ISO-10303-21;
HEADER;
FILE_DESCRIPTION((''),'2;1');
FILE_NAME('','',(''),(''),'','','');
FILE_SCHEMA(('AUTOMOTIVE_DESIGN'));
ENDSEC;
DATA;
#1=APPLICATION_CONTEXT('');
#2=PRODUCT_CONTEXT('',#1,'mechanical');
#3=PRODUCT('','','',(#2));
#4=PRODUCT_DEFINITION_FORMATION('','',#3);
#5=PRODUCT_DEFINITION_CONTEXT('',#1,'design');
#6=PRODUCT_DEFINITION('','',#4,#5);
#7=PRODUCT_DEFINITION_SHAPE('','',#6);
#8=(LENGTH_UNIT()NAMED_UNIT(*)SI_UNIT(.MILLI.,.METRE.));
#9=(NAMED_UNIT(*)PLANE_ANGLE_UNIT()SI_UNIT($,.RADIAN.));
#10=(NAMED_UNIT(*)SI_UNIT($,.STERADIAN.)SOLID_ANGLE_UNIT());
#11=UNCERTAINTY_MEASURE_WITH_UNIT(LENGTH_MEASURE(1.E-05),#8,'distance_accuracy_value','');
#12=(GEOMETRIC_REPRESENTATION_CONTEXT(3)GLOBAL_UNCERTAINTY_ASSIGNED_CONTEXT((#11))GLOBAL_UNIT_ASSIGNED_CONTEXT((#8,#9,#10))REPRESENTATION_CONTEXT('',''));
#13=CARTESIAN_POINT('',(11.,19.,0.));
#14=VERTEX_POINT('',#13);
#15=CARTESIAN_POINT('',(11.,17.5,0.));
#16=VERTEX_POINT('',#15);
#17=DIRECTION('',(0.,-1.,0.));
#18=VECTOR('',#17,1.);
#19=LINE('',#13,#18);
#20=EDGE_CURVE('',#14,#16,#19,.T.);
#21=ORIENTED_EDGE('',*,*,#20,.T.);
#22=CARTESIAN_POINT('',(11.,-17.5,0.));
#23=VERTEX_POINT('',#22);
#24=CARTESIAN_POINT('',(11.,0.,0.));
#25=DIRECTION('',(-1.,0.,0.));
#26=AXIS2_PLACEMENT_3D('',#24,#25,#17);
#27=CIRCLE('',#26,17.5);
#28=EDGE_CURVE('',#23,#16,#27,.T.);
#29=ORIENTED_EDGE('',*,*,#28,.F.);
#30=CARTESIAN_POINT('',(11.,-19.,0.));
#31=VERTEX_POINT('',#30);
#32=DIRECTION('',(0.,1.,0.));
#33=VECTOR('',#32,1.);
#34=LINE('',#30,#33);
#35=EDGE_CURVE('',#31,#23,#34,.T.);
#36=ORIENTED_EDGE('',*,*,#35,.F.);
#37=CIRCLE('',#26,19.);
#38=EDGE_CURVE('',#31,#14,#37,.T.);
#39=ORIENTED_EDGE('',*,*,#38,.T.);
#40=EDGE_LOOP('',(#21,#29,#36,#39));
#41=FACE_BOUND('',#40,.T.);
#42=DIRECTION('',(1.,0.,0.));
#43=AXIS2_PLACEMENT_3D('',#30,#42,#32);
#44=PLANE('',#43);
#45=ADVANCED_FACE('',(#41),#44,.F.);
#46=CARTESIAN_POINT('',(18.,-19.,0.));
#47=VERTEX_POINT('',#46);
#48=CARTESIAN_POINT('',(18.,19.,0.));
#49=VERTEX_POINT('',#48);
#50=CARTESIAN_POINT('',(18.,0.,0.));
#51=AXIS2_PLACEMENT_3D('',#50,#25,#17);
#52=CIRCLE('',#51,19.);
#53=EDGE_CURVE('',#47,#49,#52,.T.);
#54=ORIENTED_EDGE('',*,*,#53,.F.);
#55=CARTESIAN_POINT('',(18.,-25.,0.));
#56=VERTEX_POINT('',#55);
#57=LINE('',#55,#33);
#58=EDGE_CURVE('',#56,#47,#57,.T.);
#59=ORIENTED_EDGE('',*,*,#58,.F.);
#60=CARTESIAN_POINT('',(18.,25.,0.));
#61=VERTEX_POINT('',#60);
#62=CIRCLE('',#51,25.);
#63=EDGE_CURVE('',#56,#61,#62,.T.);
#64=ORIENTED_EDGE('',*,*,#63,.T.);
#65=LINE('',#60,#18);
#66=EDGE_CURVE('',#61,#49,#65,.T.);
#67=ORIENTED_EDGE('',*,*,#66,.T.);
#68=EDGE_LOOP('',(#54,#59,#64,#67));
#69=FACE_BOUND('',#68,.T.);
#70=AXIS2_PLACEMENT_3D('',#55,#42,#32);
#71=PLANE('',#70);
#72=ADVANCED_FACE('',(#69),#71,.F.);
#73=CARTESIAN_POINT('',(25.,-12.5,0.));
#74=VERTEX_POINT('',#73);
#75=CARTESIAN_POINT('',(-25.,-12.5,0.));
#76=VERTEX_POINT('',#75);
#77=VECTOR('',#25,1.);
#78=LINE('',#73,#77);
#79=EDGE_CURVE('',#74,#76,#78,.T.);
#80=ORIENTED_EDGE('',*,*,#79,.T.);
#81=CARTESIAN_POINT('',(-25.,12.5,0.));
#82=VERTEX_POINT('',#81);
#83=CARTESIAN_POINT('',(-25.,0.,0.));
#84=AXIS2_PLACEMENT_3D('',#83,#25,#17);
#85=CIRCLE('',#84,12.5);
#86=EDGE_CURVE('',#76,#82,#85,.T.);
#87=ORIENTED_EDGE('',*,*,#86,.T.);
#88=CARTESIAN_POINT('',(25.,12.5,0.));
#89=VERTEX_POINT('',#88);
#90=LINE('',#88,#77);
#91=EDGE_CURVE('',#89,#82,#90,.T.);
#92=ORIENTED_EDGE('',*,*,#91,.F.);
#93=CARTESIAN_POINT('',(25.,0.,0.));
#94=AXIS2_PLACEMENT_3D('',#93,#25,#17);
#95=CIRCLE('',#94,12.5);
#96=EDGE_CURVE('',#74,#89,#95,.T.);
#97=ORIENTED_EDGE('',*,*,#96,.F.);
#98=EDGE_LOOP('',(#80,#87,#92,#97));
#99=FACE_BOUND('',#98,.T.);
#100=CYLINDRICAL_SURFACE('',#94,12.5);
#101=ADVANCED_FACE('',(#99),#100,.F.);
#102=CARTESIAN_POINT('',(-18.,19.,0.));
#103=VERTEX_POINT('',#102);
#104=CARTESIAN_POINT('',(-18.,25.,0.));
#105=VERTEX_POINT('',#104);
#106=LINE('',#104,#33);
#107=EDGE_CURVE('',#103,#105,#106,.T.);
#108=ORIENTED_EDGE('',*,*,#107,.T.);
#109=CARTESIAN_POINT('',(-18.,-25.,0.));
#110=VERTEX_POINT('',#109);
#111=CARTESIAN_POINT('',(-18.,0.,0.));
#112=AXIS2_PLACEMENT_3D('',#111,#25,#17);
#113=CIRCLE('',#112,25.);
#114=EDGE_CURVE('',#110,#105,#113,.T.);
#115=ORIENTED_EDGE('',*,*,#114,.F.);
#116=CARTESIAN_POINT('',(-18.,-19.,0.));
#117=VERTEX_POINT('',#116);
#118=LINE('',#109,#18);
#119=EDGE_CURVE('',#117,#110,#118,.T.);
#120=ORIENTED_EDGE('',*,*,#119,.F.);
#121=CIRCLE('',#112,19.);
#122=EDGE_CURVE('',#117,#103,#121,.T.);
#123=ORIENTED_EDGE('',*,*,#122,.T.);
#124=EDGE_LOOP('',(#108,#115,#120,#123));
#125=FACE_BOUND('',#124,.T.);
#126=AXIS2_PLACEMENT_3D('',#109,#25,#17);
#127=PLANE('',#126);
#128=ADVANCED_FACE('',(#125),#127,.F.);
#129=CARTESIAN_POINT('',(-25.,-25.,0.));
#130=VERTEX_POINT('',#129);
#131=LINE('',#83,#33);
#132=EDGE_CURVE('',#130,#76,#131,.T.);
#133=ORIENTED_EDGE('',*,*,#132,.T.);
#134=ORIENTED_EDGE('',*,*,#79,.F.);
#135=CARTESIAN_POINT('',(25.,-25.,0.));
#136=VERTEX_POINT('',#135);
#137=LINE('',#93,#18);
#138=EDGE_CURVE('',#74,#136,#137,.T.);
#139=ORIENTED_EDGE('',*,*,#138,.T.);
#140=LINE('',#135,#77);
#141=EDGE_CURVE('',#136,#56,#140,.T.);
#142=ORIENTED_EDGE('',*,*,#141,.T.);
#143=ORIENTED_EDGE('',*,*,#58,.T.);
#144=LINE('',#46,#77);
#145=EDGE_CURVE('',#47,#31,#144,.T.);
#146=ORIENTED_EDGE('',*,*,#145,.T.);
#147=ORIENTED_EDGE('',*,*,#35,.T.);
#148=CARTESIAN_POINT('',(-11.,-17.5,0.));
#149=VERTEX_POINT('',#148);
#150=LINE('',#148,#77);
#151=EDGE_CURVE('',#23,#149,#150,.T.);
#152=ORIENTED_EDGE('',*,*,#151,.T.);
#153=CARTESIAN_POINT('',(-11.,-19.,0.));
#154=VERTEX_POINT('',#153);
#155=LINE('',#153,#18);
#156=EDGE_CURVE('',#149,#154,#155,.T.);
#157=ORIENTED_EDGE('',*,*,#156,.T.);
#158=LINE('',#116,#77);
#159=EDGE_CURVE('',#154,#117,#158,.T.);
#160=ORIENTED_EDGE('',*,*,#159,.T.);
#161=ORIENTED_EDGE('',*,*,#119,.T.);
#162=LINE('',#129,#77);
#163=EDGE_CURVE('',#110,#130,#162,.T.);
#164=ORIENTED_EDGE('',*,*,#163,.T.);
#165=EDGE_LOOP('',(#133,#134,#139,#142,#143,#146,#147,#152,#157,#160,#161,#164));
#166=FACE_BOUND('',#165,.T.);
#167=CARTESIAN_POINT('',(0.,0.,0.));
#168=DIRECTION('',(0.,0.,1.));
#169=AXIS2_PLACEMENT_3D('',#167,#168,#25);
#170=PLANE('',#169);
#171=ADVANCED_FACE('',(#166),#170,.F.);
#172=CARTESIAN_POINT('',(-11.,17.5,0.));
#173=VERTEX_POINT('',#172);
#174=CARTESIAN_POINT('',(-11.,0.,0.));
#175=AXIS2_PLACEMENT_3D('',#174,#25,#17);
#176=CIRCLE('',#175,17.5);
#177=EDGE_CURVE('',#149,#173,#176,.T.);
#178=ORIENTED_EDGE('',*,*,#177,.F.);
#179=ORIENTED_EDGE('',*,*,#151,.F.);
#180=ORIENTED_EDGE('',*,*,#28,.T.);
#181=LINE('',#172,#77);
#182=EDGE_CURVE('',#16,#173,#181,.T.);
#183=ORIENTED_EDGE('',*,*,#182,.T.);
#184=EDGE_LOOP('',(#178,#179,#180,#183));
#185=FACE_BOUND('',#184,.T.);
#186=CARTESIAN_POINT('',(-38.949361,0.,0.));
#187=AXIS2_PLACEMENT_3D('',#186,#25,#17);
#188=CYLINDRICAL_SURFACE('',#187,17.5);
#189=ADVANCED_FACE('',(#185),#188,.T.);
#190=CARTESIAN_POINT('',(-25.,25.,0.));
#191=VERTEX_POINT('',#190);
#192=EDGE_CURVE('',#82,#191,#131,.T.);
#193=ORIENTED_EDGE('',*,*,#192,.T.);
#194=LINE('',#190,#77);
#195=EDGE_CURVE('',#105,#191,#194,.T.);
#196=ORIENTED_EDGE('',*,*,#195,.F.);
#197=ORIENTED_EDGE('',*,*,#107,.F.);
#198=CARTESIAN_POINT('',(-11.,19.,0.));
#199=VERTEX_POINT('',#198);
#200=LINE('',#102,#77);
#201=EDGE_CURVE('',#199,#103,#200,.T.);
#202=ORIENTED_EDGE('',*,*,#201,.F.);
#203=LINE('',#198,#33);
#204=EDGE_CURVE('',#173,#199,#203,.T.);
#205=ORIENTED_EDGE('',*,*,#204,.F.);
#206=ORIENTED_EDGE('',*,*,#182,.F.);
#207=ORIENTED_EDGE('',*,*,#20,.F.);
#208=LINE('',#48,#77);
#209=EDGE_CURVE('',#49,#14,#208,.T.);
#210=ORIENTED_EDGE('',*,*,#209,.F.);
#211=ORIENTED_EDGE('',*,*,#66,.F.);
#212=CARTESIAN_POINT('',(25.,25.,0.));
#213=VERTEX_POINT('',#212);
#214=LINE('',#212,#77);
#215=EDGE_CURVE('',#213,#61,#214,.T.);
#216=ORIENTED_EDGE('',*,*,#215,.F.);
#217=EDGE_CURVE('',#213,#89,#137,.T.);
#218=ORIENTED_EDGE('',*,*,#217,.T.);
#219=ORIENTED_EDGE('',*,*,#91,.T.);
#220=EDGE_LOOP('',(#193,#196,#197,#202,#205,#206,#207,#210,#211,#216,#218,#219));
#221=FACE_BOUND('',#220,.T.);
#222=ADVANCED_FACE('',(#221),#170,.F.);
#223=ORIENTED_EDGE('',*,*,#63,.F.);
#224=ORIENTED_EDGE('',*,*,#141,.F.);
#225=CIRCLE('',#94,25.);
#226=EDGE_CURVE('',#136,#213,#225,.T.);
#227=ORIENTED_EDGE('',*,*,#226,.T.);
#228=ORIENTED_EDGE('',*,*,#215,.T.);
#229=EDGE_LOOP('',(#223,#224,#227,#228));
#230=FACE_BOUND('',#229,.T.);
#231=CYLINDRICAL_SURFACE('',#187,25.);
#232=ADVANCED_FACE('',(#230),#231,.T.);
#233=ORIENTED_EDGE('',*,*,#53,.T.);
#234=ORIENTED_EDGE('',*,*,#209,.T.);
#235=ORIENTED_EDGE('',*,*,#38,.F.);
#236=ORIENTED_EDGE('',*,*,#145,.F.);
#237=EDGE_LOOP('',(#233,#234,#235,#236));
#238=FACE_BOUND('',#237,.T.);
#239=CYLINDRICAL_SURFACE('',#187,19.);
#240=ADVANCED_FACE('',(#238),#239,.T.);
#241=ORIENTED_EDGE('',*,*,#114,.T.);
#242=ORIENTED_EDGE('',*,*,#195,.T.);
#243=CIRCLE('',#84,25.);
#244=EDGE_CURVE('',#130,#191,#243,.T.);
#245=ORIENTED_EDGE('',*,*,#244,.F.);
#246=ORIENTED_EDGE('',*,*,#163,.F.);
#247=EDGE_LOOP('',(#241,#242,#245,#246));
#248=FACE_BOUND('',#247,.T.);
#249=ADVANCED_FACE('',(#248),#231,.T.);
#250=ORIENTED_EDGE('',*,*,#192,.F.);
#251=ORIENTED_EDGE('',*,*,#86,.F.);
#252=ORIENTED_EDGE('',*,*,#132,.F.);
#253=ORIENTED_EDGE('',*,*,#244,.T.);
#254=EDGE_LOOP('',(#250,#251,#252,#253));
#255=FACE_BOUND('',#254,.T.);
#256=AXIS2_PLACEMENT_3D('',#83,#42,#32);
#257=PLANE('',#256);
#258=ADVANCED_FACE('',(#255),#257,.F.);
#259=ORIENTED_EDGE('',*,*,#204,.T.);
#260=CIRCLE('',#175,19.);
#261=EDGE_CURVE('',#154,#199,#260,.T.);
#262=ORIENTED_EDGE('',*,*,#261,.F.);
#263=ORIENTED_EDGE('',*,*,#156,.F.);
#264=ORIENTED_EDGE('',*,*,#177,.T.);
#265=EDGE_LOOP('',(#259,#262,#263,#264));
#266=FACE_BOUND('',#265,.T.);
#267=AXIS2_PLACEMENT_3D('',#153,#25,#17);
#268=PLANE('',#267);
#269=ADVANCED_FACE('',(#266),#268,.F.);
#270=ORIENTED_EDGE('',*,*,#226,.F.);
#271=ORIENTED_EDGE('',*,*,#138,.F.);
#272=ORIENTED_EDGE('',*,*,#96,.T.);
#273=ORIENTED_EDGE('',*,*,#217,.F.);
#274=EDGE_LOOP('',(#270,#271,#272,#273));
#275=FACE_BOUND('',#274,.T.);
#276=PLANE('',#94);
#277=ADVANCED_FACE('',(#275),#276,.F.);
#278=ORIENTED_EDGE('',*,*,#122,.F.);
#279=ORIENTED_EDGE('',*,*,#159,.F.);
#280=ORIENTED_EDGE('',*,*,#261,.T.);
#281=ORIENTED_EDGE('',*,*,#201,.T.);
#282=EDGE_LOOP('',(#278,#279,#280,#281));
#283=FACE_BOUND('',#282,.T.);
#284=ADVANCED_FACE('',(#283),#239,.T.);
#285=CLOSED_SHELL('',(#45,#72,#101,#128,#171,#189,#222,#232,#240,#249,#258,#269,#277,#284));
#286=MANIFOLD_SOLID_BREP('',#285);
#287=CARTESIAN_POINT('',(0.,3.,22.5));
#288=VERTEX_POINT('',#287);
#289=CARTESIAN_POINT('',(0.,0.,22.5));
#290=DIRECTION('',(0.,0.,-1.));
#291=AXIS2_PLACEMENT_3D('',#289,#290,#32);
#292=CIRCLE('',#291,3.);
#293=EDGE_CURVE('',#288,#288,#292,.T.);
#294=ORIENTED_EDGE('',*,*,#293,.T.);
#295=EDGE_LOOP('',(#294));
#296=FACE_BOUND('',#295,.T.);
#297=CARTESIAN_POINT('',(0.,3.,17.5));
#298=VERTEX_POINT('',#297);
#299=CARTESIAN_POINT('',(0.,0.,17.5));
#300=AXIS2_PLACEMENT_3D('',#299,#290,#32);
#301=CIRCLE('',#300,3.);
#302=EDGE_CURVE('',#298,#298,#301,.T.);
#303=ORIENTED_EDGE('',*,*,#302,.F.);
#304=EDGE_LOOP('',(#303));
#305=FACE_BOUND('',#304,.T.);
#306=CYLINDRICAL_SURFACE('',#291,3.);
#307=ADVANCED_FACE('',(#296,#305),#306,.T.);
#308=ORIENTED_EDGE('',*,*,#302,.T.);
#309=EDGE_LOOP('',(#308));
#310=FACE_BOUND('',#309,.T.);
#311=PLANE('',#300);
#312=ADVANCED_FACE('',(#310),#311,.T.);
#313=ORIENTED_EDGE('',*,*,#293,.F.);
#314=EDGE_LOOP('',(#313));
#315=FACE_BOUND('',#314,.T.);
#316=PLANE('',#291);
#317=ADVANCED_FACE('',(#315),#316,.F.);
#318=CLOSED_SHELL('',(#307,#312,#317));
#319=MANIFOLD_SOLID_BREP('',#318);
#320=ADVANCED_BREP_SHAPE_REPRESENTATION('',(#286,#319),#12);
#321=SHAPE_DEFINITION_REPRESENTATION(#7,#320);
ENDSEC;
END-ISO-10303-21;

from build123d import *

# Parameters (mm, degrees)
REVOLVE1_ANGLE      = 180
CUT_EXTRUDE3_DEPTH  = 50
SKETCH4_R           = 3
BOSS_EXTRUDE1_DEPTH = 5


with BuildPart() as part:
    # Sketch1 → Revolve1 (revolve)
    with BuildSketch(Plane.XY):
        Polygon((25, 0), (-25, 0), (-25, 25), (-18, 25), (-18, 19), (-11, 19), (-11, 17.5), (11, 17.5), (11, 19), (18, 19), (18, 25), (25, 25), align=None)
    revolve(axis=Axis((-38.949360705, 0, 0), (1, 0, 0)), revolution_arc=REVOLVE1_ANGLE)

    # Sketch2 → Cut-Extrude3 (cut)
    with BuildSketch(Plane.ZY.offset(25)):
        with BuildLine():
            Line((0, 12.5), (0, -12.5))
            ThreePointArc((0, -12.5), (12.5, 0), (0, 12.5))
        make_face()
    extrude(amount=-CUT_EXTRUDE3_DEPTH, mode=Mode.SUBTRACT)


with BuildPart() as body_2:
    # Sketch4 → Boss-Extrude1 (new body)
    with BuildSketch(Plane(origin=(0, 0, 17.5), x_dir=(-1, 0, 0), z_dir=(0, 0, -1))):
        Circle(SKETCH4_R)
    extrude(amount=-BOSS_EXTRUDE1_DEPTH)


solid = Compound([part.part, body_2.part])
